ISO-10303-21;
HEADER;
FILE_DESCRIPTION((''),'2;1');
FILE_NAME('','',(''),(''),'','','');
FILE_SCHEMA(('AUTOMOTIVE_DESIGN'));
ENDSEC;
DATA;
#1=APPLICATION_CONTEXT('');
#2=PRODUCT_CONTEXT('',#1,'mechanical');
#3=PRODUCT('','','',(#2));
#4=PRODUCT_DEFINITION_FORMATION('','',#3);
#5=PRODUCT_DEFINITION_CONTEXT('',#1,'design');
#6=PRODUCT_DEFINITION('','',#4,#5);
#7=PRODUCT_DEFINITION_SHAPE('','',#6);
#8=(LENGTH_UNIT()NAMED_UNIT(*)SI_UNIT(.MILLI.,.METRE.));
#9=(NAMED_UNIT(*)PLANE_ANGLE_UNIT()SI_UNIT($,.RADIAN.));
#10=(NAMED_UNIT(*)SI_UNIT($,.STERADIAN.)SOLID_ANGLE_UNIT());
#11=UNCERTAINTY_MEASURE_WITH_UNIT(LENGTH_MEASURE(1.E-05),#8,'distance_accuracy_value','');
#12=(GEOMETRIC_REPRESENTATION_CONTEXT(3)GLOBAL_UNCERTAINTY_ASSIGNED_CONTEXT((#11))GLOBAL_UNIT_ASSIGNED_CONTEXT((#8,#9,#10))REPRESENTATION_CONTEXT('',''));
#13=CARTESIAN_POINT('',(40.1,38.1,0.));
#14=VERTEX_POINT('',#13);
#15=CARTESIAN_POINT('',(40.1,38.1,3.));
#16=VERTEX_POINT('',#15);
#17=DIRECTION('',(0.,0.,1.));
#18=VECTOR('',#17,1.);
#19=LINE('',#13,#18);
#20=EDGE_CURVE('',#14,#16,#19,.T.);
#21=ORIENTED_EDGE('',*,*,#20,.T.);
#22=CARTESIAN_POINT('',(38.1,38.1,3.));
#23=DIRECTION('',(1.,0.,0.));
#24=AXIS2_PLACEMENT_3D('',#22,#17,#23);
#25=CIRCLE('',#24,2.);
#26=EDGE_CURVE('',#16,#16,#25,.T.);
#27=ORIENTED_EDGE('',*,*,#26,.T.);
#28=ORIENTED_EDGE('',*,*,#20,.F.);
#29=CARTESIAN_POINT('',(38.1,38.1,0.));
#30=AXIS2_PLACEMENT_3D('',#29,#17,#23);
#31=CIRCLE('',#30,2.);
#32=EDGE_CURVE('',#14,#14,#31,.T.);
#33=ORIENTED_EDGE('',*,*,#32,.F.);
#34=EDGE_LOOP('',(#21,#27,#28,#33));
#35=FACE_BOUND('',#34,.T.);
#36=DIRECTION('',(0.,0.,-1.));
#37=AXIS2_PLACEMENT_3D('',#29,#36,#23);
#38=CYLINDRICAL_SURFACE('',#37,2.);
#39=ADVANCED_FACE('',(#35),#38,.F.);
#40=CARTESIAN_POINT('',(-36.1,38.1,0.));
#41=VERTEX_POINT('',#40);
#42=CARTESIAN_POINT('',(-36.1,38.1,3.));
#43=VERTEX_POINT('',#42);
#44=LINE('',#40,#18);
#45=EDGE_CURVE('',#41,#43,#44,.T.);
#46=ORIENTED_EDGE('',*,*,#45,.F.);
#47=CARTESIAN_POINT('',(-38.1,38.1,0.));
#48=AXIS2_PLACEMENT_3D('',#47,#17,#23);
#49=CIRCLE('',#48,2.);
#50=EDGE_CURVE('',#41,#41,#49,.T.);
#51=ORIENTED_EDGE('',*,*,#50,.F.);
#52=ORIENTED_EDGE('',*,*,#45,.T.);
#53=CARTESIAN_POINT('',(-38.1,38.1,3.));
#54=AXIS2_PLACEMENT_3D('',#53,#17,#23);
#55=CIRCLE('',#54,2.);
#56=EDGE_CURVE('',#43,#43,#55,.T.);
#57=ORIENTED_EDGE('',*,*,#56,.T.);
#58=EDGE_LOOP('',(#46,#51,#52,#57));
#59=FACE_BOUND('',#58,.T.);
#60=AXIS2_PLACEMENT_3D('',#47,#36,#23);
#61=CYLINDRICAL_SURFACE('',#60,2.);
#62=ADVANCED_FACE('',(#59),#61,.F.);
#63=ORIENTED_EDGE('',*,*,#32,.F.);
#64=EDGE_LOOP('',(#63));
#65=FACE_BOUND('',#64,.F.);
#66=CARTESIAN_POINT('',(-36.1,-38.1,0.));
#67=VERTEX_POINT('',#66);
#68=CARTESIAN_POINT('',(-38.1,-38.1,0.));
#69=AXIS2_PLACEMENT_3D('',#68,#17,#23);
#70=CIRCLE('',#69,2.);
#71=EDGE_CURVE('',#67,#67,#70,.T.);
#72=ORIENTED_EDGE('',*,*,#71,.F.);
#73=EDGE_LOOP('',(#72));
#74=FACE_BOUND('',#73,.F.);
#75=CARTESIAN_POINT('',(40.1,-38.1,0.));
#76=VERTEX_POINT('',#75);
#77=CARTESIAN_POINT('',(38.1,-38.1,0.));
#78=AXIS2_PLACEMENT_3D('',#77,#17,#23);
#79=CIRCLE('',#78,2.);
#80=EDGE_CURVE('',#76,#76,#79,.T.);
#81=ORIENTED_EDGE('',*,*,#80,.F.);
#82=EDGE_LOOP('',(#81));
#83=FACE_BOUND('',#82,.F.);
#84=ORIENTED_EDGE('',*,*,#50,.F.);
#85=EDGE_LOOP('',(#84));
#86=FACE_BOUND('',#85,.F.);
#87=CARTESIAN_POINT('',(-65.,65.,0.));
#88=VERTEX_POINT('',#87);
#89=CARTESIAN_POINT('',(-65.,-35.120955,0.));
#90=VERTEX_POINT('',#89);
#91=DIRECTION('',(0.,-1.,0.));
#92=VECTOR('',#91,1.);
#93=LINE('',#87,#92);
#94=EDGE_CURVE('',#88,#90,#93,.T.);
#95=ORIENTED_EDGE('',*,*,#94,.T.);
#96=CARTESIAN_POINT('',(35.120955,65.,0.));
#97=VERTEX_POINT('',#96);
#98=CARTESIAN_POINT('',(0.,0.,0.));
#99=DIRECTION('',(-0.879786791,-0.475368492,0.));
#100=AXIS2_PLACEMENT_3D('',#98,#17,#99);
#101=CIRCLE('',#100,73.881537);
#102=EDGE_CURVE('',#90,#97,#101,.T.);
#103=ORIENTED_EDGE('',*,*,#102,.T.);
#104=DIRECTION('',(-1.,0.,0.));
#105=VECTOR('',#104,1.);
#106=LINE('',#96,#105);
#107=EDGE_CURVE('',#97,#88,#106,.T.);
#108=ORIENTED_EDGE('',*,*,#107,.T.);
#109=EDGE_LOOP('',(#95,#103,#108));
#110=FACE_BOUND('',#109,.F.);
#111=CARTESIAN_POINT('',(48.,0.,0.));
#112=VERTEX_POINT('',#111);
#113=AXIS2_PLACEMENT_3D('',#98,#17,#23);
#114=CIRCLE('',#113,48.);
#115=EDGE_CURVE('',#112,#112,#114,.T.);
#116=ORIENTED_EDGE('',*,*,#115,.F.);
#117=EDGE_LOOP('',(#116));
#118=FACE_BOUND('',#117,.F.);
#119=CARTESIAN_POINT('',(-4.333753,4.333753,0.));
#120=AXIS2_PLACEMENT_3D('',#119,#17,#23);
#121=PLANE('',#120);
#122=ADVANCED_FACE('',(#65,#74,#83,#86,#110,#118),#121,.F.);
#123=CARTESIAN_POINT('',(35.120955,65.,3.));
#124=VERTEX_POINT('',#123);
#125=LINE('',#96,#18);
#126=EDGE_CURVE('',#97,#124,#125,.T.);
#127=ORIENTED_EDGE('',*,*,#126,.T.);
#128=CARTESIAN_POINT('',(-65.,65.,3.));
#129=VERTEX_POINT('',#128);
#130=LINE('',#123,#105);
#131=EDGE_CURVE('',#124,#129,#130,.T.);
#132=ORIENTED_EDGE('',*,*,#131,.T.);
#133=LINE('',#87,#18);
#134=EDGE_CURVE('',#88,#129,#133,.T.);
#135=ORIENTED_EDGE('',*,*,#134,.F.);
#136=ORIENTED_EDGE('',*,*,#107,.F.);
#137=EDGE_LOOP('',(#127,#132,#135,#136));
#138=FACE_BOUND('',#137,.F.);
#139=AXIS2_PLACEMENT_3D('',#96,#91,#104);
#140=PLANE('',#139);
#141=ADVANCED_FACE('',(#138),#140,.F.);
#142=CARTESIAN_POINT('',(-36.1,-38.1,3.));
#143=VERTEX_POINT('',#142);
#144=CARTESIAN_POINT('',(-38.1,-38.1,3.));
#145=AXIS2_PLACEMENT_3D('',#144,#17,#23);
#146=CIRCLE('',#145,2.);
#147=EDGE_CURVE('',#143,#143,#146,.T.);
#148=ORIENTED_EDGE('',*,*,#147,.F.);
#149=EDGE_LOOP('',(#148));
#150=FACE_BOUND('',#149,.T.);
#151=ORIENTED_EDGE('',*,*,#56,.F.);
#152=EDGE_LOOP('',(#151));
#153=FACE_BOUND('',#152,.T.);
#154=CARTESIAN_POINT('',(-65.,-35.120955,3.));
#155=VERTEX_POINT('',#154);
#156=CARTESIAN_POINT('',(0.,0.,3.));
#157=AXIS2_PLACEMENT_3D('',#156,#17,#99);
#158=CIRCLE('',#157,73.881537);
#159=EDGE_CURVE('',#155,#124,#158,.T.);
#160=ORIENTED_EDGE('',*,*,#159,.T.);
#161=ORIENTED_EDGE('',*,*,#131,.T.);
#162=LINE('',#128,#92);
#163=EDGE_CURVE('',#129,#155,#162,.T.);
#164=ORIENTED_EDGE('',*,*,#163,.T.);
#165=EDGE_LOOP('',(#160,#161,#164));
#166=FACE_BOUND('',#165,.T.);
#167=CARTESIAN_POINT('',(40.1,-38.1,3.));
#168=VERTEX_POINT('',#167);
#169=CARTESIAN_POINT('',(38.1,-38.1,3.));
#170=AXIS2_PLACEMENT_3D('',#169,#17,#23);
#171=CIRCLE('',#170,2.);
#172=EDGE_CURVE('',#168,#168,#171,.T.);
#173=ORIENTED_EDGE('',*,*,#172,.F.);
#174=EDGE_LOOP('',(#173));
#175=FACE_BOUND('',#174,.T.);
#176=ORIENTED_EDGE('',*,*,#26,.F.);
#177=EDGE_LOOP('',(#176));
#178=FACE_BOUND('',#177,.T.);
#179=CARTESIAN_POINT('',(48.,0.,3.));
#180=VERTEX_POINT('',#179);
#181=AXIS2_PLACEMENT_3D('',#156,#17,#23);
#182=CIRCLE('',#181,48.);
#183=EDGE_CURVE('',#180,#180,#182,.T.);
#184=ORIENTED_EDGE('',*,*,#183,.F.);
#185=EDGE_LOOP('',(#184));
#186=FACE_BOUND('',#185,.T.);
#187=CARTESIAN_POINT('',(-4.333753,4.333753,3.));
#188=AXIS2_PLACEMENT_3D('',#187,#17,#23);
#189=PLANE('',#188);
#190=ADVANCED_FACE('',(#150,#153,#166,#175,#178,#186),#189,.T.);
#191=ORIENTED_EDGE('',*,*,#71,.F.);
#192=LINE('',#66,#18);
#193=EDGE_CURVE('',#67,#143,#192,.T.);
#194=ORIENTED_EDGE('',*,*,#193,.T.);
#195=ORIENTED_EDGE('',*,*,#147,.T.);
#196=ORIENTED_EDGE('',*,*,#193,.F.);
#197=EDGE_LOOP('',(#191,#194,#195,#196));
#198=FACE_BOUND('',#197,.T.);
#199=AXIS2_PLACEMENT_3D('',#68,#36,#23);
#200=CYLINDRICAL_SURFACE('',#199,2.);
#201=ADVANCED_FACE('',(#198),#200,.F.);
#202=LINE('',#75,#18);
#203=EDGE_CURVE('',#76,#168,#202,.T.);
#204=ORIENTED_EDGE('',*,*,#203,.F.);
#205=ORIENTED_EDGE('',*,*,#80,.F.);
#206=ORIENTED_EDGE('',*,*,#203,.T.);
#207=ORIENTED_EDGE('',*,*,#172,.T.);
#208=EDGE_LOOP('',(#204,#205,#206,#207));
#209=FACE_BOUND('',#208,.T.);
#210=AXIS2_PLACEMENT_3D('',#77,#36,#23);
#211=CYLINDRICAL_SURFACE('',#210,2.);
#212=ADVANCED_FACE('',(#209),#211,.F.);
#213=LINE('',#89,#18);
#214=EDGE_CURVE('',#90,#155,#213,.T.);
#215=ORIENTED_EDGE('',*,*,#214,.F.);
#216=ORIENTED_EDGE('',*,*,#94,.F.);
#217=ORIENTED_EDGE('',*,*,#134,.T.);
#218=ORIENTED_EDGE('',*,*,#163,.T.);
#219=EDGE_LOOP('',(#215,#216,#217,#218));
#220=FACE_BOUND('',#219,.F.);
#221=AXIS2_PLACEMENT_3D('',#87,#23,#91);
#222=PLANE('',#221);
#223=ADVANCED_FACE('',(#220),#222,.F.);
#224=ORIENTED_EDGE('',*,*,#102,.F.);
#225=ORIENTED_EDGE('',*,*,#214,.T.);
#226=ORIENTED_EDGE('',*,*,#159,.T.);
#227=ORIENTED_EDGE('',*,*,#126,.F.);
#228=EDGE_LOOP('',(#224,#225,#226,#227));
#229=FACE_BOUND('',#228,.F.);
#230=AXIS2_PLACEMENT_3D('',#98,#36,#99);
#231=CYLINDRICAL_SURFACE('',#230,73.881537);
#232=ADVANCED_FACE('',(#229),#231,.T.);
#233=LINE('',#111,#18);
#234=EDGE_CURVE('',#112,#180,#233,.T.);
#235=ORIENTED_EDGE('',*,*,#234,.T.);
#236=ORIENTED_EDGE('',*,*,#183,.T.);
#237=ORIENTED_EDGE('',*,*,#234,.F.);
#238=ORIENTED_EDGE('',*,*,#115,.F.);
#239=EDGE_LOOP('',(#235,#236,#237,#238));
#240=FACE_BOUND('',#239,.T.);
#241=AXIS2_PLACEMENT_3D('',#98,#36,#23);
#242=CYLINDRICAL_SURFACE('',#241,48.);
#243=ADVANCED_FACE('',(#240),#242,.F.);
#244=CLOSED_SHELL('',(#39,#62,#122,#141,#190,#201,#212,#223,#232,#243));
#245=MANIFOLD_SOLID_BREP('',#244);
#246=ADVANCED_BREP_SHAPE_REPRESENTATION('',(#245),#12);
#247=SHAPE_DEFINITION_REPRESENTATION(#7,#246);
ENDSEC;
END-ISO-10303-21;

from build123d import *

# Parameters (mm, degrees)
F0_R     = 2
F0_R_2   = 48
F1_DEPTH = 3


with BuildPart() as f1:
    # F0 (on Top) → F1 (new body)
    with BuildSketch(Plane.XY):
        with BuildLine():
            Line((-65, 65), (-65, -35.120955))
            ThreePointArc((-65, -35.120955), (52.242136, -52.242136), (35.120955, 65))
            Line((35.120955, 65), (-65, 65))
        make_face()
        with Locations((-38.1, -38.1)):
            Circle(F0_R, mode=Mode.SUBTRACT)
        with Locations((38.1, -38.1)):
            Circle(F0_R, mode=Mode.SUBTRACT)
        Circle(F0_R_2, mode=Mode.SUBTRACT)
        with Locations((-38.1, 38.1)):
            Circle(F0_R, mode=Mode.SUBTRACT)
        with Locations((38.1, 38.1)):
            Circle(F0_R, mode=Mode.SUBTRACT)
    extrude(amount=F1_DEPTH)


solid = f1.part
